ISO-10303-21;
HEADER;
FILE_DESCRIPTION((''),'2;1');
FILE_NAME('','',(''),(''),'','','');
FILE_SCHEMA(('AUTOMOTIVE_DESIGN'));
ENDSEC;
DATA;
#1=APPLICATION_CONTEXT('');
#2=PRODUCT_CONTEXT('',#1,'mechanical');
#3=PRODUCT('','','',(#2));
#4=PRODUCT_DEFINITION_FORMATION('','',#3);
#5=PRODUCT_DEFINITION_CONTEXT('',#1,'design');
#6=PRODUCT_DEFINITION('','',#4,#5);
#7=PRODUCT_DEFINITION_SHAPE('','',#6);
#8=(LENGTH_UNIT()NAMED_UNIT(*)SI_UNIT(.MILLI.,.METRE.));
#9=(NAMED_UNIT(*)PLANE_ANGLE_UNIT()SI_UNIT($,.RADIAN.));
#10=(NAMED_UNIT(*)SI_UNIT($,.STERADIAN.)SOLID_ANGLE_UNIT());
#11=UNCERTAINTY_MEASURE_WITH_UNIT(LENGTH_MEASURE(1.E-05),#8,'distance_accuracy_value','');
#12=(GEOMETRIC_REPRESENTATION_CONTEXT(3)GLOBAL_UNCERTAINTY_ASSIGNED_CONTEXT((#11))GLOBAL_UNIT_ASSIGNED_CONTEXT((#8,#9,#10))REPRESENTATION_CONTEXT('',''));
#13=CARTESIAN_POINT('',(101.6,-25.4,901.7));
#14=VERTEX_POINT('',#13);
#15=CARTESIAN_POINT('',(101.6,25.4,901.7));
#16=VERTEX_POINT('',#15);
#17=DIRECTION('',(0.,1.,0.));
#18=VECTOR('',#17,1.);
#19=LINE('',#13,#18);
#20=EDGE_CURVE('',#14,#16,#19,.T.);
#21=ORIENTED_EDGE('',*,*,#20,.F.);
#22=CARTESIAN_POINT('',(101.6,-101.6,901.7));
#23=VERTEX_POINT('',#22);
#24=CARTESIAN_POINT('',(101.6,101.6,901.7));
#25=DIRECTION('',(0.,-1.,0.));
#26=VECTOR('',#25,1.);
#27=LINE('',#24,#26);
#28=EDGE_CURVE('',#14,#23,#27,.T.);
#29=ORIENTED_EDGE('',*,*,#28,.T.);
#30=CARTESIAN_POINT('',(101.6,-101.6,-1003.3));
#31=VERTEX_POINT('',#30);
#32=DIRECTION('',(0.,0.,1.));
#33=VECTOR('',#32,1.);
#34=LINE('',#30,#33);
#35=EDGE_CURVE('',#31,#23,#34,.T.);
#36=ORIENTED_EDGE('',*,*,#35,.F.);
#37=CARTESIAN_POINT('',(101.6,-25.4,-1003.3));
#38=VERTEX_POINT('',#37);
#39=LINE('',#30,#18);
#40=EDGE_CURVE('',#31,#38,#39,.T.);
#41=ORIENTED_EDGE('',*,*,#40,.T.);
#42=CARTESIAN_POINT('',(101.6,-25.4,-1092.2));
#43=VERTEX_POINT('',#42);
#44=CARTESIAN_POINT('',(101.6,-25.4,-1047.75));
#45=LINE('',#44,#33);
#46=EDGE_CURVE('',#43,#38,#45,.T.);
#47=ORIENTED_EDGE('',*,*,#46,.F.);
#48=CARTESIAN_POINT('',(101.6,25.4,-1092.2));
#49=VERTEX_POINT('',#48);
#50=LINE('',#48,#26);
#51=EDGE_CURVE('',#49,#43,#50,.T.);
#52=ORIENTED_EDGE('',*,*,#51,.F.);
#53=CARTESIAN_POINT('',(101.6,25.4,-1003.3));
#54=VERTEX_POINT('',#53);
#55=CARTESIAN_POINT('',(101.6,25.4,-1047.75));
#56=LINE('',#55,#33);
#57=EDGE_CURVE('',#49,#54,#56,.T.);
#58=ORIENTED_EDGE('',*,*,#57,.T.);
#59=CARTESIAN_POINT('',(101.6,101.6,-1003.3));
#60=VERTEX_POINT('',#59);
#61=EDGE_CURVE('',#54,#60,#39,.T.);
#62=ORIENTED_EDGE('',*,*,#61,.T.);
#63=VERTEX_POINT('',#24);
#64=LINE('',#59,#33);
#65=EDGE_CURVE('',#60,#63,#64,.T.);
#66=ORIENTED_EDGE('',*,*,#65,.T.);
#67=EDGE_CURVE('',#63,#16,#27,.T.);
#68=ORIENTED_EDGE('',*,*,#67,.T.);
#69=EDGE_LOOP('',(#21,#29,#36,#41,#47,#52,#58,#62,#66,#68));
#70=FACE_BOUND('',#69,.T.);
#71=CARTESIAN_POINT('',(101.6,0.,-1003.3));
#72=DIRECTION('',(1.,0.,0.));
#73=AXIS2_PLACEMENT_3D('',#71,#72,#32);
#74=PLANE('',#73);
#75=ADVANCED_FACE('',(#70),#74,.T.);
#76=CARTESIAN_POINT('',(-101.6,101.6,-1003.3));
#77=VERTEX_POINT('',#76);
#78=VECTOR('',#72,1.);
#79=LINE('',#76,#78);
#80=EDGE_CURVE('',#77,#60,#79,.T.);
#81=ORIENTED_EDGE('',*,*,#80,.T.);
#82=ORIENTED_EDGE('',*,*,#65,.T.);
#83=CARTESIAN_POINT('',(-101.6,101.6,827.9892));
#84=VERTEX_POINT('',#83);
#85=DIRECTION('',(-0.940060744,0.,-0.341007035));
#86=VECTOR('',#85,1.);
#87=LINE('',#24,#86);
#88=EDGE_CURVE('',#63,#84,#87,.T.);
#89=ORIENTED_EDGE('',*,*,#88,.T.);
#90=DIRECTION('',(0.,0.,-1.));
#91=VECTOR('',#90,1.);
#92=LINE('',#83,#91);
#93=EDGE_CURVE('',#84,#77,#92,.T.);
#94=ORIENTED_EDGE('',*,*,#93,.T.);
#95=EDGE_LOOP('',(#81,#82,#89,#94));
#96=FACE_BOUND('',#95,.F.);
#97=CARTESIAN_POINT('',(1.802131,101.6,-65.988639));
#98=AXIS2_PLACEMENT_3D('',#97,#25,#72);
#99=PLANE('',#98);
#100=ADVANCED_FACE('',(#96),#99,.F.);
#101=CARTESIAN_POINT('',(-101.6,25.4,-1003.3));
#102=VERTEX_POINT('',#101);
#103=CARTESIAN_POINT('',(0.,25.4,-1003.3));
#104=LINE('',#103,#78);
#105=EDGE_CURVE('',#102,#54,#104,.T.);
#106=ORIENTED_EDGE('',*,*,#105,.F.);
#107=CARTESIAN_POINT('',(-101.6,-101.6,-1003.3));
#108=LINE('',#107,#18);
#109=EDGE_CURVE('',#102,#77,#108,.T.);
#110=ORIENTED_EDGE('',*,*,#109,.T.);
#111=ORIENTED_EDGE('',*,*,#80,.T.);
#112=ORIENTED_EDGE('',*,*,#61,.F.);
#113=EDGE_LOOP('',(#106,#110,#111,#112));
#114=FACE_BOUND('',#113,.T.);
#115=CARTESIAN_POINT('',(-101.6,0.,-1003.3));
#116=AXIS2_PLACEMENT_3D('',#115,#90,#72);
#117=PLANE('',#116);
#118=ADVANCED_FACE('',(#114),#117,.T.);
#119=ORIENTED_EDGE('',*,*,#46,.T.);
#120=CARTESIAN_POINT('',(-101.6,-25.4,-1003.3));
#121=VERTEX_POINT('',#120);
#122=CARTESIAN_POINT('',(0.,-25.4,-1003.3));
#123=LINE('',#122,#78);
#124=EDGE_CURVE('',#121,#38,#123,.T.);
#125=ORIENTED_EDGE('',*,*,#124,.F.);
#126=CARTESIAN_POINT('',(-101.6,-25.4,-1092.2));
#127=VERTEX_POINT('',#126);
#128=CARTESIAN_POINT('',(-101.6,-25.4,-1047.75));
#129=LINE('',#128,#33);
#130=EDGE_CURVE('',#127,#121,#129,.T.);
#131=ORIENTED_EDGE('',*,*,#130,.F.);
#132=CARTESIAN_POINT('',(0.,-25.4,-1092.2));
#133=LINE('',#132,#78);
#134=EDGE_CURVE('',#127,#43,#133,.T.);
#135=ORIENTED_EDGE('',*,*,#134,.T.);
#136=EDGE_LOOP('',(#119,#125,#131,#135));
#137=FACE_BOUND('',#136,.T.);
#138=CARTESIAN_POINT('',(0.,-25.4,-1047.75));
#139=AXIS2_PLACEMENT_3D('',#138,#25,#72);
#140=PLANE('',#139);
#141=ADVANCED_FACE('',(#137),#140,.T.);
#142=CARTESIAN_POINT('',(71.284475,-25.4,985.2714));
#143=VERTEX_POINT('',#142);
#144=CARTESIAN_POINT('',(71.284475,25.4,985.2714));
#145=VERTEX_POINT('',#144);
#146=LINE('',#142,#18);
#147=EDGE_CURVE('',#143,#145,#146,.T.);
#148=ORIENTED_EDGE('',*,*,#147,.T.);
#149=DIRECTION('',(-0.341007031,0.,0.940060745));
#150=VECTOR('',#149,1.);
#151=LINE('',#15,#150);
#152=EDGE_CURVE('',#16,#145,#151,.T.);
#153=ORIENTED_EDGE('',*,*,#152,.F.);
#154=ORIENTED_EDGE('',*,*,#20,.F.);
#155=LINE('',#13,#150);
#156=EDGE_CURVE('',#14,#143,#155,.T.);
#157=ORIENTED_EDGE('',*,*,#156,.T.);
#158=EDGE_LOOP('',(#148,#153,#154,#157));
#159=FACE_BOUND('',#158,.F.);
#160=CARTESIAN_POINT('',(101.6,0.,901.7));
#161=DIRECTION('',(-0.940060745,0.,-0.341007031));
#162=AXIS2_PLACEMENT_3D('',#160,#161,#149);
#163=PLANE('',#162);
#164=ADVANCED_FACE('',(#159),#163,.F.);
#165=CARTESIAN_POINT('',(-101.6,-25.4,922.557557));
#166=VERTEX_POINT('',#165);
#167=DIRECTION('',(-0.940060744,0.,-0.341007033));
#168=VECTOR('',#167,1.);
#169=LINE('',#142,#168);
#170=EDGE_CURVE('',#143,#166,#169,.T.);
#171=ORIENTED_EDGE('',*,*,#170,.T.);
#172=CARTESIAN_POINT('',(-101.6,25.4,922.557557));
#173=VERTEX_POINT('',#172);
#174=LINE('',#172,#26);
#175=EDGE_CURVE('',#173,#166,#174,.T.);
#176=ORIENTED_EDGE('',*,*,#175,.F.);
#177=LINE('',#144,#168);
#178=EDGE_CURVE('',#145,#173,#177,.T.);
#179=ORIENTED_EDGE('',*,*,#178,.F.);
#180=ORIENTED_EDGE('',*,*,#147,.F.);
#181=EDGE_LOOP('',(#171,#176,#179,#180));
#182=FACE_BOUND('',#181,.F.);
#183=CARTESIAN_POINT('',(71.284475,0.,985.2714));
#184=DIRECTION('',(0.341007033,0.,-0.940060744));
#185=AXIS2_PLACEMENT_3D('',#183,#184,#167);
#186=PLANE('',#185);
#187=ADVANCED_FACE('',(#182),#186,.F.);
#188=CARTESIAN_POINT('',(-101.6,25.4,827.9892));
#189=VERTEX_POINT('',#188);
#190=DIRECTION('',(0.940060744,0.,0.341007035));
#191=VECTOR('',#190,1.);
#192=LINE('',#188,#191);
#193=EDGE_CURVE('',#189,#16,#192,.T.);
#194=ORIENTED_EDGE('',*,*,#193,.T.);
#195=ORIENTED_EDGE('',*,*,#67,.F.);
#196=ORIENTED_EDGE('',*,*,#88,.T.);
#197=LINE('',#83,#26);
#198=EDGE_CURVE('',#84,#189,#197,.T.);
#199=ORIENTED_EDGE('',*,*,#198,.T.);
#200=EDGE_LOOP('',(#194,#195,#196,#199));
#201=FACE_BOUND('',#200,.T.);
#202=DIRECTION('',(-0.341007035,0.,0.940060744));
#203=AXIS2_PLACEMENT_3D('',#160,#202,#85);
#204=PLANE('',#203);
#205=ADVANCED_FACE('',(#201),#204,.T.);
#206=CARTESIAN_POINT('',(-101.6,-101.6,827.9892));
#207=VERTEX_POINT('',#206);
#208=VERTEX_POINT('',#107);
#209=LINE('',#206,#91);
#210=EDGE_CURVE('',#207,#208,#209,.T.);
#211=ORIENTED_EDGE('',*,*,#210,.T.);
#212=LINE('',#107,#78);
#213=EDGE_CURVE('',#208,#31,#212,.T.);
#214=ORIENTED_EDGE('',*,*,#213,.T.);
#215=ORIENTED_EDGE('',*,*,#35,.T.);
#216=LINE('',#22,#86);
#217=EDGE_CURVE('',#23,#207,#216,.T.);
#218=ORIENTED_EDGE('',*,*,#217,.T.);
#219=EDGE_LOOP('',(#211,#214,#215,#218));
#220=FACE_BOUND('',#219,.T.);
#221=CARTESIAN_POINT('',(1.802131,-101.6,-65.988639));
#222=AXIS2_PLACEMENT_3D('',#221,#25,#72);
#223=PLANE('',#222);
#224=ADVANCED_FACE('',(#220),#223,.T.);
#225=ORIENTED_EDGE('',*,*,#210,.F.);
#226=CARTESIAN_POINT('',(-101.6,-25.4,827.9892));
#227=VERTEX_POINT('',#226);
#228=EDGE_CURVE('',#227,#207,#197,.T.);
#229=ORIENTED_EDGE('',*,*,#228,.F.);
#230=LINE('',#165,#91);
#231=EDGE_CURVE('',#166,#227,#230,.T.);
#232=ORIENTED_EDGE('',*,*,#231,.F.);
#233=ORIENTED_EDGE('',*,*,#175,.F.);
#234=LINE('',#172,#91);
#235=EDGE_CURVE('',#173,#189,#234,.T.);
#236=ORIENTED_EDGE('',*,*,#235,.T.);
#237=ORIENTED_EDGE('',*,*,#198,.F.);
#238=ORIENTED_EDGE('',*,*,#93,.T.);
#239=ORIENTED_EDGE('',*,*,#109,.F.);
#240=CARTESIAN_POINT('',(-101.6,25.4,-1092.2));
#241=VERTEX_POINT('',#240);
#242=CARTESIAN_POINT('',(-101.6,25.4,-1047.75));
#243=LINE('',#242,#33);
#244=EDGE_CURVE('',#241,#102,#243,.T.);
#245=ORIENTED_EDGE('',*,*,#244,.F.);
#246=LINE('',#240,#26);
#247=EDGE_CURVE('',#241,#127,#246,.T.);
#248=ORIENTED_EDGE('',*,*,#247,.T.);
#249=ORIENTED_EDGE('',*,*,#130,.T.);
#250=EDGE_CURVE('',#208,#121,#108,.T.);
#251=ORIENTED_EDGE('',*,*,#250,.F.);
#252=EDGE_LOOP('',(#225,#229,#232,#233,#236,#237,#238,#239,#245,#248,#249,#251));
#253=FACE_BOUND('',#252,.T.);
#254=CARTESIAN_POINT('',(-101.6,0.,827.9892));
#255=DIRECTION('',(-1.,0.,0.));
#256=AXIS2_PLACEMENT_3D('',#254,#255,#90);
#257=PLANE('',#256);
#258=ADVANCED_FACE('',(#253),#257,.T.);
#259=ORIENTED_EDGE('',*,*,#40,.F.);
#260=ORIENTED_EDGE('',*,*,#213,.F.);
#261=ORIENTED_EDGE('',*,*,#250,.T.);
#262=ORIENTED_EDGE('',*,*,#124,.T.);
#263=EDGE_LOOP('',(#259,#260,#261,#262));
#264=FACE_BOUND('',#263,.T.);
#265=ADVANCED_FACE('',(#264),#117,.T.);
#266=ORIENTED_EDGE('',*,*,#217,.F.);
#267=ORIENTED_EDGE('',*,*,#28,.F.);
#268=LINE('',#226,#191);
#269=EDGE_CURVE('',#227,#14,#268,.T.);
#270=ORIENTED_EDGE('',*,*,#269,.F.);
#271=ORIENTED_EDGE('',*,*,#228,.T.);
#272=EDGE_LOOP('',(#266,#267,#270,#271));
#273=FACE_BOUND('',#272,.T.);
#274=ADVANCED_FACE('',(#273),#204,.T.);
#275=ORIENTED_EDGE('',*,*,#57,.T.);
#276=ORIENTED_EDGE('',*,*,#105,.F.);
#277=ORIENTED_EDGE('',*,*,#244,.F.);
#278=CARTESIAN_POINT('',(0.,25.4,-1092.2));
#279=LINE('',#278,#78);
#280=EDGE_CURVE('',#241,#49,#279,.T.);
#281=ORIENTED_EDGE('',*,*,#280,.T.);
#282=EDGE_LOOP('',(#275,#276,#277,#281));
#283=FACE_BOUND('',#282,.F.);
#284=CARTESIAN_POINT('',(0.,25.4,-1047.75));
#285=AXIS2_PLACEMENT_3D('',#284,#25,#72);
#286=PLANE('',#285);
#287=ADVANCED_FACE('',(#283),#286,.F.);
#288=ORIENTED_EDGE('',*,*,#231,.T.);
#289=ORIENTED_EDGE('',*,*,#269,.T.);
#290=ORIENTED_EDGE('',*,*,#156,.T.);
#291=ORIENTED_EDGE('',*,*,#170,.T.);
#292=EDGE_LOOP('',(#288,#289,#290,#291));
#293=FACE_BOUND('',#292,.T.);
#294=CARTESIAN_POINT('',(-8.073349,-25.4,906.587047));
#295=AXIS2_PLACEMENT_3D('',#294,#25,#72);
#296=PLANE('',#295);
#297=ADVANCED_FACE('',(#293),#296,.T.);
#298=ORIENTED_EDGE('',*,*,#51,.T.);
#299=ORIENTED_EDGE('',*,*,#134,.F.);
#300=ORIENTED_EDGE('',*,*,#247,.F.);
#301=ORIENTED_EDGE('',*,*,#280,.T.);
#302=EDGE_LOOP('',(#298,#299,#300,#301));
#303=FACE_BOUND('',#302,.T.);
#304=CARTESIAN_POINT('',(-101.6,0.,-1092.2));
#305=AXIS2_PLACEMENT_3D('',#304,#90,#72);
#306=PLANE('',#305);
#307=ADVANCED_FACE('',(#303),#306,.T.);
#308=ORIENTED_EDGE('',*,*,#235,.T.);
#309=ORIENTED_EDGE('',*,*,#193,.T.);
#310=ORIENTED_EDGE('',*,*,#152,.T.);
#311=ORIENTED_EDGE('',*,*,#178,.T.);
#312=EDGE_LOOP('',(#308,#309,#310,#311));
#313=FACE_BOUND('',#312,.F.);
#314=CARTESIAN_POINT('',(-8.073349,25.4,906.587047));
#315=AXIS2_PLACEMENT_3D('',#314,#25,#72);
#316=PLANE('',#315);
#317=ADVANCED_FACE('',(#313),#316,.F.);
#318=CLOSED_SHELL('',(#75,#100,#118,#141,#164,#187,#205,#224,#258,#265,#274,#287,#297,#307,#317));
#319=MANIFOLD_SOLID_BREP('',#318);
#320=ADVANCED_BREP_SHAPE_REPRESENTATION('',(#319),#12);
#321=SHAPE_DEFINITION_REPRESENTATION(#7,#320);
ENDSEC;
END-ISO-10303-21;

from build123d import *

# Parameters (mm, degrees)
F1_DEPTH = 101.6
F0_W     = 203.2
F0_H     = 88.9
F2_DEPTH = 25.4


with BuildPart() as f1:
    # F0 (on Front) → F1 (new body, symmetric)
    with BuildSketch(Plane.XZ):
        Polygon((101.6, -1003.3), (101.6, 901.7), (-101.6, 827.9892), (-101.6, -1003.3), align=None)
    extrude(amount=F1_DEPTH, both=True)

    # F0 (on Front) → F2 (join, symmetric)
    with BuildSketch(Plane.XZ):
        Polygon((71.284475, 985.2714), (-101.6, 922.557557), (-101.6, 827.9892), (101.6, 901.7), align=None)
        with Locations((0, -1047.75)):
            Rectangle(F0_W, F0_H)
    extrude(amount=F2_DEPTH, both=True)


solid = f1.part
